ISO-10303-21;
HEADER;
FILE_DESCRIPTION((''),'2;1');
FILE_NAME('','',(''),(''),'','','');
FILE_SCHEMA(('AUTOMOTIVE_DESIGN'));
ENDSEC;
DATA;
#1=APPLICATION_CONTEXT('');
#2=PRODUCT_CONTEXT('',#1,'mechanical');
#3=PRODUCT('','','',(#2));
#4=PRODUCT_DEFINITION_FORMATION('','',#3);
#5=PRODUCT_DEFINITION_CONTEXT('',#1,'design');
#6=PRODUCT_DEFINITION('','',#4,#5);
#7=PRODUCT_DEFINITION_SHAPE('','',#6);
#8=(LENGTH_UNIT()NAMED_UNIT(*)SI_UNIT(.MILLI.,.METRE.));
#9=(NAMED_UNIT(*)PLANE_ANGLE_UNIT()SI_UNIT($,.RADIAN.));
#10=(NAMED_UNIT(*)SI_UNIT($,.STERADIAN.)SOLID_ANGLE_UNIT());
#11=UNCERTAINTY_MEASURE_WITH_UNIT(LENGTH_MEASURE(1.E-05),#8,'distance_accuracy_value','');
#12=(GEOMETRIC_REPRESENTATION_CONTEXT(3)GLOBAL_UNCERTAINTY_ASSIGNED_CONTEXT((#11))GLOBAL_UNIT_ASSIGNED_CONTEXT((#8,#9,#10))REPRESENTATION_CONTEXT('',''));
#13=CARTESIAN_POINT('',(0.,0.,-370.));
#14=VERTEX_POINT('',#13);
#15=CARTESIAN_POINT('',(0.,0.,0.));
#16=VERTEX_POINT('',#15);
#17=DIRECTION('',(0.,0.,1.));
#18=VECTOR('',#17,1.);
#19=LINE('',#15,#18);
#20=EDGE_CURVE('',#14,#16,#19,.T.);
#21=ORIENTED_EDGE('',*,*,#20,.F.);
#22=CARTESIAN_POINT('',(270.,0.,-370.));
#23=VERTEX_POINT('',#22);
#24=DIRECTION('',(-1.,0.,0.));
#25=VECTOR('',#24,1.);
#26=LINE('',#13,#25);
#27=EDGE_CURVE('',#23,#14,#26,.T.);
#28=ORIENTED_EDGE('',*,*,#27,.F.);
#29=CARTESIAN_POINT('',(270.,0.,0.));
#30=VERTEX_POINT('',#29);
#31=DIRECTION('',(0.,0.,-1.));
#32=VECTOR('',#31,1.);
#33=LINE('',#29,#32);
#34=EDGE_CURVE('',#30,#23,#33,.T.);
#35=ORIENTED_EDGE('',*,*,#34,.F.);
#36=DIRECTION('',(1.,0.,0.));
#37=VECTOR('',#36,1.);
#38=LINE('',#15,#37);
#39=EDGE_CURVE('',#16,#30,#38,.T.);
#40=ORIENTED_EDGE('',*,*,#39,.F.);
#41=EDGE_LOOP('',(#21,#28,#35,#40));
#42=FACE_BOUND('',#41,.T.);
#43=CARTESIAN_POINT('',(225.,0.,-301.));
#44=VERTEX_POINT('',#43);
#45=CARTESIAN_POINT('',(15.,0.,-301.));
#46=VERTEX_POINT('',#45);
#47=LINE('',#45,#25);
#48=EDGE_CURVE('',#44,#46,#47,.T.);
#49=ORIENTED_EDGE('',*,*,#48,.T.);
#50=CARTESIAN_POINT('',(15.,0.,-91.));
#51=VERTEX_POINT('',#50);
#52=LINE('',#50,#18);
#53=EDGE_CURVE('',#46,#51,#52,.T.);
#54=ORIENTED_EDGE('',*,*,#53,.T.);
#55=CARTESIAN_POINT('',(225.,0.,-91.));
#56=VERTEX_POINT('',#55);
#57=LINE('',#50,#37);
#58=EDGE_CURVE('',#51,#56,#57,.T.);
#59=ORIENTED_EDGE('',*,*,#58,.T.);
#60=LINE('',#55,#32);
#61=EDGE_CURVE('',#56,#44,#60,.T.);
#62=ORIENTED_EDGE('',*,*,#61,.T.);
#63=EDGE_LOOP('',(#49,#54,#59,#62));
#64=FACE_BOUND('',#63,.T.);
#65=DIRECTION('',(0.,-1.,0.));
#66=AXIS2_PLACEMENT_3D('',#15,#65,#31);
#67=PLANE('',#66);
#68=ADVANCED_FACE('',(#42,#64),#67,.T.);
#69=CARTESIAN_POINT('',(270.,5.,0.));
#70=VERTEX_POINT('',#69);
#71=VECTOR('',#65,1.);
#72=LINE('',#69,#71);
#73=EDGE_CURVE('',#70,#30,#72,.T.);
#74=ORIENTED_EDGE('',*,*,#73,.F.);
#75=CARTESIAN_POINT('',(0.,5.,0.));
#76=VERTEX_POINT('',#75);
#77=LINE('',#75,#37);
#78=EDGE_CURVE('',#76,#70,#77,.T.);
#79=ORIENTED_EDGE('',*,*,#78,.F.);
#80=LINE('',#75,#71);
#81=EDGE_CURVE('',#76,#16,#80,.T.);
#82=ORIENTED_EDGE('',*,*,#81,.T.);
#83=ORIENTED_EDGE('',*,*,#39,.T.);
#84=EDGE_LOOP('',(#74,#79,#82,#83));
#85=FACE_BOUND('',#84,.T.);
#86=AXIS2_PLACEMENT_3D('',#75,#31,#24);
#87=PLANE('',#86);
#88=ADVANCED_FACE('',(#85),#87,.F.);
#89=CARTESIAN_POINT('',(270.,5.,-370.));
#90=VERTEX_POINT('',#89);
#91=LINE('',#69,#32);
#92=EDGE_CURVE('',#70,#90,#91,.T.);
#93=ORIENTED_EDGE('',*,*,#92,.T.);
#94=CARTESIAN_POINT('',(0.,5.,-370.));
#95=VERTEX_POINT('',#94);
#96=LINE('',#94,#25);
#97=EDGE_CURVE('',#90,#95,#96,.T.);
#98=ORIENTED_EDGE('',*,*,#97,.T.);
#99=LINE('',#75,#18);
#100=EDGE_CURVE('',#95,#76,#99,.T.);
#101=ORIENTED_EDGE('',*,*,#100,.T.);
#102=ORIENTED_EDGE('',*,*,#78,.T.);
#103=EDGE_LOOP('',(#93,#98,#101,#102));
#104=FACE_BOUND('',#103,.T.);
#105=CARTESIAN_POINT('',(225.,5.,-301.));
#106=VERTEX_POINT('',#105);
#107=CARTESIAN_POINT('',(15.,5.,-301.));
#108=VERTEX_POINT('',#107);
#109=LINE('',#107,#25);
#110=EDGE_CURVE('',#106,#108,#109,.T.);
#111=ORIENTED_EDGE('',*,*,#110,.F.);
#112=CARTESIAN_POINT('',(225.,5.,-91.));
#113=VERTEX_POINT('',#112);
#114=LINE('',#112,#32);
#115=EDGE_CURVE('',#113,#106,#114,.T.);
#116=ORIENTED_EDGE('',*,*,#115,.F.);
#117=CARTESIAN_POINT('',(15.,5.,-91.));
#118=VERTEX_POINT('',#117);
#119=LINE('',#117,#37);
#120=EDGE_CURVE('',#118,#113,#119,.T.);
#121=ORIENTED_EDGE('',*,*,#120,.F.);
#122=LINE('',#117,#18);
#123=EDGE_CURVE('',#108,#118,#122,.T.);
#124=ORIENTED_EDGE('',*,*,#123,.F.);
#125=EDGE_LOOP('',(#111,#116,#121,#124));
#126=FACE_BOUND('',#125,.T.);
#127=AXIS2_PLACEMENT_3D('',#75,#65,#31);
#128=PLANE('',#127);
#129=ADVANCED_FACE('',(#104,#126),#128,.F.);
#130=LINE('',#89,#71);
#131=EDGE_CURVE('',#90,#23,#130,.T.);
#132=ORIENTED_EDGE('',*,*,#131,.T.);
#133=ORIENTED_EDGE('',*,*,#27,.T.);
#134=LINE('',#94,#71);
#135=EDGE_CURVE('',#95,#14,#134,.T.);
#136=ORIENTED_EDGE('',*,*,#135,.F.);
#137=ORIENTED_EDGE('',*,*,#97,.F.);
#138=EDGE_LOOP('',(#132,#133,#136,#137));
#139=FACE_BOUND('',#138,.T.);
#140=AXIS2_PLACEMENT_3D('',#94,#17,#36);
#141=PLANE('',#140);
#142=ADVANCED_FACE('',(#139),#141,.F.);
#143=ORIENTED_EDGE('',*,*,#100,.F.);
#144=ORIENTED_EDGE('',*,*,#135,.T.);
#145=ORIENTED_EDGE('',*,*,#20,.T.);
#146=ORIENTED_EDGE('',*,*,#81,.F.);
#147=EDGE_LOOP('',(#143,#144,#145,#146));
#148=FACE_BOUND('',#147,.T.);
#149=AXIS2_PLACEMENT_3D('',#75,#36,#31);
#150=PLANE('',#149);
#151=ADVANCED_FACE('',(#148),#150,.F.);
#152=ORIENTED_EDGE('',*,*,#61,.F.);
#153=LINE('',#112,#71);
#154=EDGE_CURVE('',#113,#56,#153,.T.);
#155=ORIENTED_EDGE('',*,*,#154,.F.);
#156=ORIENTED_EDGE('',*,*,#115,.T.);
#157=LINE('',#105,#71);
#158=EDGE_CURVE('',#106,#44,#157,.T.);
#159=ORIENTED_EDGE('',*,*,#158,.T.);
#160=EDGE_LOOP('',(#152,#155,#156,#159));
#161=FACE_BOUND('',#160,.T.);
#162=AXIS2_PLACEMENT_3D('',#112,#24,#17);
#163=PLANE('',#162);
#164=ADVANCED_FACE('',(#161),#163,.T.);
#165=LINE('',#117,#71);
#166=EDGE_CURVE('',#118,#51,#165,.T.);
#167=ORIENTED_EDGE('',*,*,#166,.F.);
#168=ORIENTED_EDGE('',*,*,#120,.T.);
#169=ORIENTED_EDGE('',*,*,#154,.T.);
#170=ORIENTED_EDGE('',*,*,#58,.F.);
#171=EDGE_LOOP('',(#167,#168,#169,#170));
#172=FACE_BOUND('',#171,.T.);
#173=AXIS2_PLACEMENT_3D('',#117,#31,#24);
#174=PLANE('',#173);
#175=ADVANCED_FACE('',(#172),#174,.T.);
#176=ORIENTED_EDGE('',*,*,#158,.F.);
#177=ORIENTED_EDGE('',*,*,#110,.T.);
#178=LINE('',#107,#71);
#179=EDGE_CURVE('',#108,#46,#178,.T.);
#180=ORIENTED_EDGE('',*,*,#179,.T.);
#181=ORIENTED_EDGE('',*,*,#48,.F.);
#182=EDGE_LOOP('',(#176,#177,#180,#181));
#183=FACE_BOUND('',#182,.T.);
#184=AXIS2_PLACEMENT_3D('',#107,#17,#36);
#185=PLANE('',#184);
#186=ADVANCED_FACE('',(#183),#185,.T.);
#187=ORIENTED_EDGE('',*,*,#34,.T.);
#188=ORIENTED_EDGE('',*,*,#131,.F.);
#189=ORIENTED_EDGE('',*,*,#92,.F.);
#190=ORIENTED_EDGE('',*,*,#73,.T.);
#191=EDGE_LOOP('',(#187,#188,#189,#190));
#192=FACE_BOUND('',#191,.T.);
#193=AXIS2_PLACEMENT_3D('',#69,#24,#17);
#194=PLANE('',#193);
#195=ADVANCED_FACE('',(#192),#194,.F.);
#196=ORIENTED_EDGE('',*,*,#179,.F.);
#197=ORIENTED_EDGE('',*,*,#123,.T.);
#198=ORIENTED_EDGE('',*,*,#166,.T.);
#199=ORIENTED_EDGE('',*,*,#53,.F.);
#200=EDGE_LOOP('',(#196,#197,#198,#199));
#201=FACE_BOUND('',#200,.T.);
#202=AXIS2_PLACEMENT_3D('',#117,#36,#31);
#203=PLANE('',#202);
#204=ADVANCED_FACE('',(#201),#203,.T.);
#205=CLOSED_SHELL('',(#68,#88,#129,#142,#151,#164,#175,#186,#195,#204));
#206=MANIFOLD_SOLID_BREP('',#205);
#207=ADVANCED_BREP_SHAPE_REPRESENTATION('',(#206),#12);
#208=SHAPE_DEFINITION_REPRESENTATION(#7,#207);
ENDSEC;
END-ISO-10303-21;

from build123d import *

# Parameters (mm, degrees)
SKETCH1_W           = 270
SKETCH1_H           = 370
SKETCH1_W_2         = 210
SKETCH1_H_2         = 210
BOSS_EXTRUDE1_DEPTH = 5


with BuildPart() as part:
    # Sketch1 → Boss-Extrude1 (new body)
    with BuildSketch(Plane(origin=(0, 0, 0), x_dir=(1, 0, 0), z_dir=(0, 1, 0))):
        with Locations((135, 185)):
            Rectangle(SKETCH1_W, SKETCH1_H)
        with Locations((120, 196)):
            Rectangle(SKETCH1_W_2, SKETCH1_H_2, mode=Mode.SUBTRACT)
    extrude(amount=BOSS_EXTRUDE1_DEPTH)


solid = part.part
